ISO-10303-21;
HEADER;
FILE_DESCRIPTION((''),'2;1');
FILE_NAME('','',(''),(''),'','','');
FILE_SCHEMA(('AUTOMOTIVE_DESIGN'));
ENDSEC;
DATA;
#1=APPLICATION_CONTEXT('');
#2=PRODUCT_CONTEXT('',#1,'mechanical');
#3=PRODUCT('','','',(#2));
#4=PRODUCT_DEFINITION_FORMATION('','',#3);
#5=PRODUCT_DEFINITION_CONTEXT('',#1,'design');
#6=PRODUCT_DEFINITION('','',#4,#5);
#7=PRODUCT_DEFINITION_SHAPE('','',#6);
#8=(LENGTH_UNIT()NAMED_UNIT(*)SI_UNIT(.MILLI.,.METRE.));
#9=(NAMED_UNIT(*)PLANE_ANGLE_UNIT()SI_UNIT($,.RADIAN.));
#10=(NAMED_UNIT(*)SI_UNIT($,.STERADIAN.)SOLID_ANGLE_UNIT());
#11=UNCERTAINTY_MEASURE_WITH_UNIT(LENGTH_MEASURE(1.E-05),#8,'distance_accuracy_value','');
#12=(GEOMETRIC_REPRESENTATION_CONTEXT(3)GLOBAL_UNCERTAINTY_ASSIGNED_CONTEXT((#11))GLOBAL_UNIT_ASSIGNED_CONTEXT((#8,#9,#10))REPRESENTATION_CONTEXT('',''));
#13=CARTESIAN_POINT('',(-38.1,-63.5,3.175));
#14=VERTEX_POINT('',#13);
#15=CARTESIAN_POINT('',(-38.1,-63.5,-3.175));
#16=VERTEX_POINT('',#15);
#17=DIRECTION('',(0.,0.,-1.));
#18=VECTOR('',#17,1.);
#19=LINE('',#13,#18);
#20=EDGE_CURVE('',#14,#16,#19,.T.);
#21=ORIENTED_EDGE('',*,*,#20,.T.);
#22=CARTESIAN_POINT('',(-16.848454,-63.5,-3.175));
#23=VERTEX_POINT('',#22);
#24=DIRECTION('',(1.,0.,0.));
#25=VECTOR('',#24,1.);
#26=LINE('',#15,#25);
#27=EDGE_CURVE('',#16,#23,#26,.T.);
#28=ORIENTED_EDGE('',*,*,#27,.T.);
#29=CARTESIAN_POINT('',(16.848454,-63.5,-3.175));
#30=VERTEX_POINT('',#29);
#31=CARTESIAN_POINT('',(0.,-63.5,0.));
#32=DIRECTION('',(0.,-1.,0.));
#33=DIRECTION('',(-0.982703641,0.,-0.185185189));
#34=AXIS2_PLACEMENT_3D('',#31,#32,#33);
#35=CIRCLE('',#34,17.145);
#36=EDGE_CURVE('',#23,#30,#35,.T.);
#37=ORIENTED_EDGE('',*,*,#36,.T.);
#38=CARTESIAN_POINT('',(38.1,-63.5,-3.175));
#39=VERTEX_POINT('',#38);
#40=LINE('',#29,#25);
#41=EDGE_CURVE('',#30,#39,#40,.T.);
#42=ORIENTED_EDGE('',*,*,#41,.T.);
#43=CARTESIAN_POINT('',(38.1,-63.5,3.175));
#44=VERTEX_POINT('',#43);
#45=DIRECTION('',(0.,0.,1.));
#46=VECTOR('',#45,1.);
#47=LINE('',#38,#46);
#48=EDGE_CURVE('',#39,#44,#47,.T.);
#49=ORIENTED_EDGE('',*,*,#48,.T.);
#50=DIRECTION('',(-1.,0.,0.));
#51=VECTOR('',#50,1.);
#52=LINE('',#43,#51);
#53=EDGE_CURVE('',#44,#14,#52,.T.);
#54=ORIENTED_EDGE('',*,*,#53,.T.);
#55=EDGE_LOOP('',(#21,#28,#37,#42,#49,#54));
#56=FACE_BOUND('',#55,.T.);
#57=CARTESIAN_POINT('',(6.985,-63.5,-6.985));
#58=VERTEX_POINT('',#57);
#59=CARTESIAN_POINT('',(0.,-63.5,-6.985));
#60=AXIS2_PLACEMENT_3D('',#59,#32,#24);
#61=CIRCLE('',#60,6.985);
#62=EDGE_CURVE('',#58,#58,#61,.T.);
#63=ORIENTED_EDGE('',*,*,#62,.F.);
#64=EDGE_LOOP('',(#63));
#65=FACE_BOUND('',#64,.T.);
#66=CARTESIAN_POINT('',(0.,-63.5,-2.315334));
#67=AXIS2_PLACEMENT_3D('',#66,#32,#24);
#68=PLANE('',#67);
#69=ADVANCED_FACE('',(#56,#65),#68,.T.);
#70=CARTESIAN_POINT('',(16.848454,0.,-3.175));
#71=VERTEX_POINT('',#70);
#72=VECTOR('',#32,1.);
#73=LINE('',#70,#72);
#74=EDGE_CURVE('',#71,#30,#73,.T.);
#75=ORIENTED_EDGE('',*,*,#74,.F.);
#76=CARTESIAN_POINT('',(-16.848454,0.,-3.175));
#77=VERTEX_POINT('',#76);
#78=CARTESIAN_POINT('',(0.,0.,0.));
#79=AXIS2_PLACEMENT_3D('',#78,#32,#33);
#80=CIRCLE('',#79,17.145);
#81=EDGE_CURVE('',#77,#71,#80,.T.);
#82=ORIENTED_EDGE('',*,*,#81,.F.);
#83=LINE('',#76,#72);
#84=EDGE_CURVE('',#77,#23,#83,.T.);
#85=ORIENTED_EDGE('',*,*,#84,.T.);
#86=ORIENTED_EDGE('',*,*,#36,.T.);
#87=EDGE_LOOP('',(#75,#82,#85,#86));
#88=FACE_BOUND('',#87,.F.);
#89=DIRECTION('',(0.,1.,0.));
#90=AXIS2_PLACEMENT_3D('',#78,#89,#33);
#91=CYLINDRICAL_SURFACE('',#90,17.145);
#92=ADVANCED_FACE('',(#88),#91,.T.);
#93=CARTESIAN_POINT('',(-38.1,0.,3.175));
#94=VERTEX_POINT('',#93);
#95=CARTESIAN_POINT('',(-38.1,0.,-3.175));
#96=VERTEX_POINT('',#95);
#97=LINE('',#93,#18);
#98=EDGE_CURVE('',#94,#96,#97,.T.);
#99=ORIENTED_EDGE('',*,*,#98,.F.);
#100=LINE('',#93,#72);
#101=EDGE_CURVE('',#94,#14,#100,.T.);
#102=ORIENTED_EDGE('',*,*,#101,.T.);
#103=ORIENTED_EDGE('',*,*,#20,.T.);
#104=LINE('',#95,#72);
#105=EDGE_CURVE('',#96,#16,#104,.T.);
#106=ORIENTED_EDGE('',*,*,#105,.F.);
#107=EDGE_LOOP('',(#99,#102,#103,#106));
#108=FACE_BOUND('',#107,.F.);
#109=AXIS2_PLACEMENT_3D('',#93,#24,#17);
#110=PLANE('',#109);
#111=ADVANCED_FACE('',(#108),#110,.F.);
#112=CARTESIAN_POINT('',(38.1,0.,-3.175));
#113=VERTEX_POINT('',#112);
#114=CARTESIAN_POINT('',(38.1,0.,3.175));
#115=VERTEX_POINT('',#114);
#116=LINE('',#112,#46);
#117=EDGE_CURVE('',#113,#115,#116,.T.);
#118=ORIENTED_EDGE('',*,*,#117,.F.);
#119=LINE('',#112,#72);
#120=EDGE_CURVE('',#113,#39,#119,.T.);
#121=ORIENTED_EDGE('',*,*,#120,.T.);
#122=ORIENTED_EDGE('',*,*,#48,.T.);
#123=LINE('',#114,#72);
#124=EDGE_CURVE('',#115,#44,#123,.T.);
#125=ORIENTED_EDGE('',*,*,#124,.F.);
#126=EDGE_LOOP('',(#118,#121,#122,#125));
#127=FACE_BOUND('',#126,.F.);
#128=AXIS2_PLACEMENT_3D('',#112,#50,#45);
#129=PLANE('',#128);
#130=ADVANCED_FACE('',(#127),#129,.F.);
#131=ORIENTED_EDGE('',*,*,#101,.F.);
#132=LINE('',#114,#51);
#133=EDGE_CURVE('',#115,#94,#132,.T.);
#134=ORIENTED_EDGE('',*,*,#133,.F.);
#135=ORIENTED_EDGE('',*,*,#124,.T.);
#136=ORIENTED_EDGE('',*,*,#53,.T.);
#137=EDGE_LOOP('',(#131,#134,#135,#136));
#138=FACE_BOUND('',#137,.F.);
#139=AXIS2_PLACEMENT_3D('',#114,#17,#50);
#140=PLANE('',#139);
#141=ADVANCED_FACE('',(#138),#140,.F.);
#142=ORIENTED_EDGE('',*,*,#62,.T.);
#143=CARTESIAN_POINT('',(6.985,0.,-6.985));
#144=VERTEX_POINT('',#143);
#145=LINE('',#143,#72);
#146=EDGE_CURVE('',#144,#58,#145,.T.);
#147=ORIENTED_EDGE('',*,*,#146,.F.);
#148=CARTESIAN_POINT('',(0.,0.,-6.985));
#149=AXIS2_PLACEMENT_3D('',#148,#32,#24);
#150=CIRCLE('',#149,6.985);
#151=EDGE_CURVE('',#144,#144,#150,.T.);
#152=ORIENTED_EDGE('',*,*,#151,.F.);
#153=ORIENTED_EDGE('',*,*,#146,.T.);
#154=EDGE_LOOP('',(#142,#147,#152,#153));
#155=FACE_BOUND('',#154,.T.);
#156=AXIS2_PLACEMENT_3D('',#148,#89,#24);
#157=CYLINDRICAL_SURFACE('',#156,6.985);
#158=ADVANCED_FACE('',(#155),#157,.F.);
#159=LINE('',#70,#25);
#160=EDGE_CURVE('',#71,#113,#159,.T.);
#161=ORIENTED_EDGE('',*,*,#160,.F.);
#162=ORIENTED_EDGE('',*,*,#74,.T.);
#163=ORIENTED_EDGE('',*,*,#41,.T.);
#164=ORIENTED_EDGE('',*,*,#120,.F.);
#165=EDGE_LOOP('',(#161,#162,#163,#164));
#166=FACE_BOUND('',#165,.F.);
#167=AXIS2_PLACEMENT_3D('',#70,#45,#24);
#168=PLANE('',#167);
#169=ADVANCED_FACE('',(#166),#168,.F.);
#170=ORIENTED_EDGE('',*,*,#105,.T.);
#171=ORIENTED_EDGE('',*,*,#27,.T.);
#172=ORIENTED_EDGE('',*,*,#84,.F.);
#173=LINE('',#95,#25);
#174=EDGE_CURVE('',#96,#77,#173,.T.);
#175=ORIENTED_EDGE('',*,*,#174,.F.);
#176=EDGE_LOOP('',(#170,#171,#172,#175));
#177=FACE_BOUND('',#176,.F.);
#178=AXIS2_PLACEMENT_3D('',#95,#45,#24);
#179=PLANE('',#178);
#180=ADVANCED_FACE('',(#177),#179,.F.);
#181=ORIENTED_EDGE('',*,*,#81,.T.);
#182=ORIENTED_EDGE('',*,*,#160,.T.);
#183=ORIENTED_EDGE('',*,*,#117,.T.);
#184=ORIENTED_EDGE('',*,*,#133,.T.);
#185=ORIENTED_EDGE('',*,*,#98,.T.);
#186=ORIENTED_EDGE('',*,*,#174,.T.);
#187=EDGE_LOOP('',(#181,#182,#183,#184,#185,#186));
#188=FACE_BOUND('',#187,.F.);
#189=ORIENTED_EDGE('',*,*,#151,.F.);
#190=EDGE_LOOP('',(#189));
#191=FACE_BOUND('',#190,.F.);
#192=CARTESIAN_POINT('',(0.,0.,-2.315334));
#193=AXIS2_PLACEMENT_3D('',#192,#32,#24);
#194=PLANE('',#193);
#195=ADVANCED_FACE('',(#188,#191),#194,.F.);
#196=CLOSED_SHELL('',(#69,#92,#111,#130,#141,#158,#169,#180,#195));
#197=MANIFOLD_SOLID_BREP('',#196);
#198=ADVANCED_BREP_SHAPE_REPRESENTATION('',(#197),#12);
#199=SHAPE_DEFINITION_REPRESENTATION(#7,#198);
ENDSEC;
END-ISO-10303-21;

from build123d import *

# Parameters (mm, degrees)
F0_R     = 6.985
F1_DEPTH = 63.5


with BuildPart() as f1:
    # F0 (on Front) → F1 (new body)
    with BuildSketch(Plane.XZ):
        with BuildLine():
            Line((38.1, -3.175), (38.1, 3.175))
            Line((38.1, 3.175), (0, 3.175))
            Line((0, 3.175), (-38.1, 3.175))
            Line((-38.1, 3.175), (-38.1, -3.175))
            Line((-38.1, -3.175), (-16.848454, -3.175))
            ThreePointArc((-16.848454, -3.175), (0, -17.145), (16.848454, -3.175))
            Line((16.848454, -3.175), (38.1, -3.175))
        make_face()
        with Locations((0, -6.985)):
            Circle(F0_R, mode=Mode.SUBTRACT)
    extrude(amount=F1_DEPTH)


solid = f1.part
